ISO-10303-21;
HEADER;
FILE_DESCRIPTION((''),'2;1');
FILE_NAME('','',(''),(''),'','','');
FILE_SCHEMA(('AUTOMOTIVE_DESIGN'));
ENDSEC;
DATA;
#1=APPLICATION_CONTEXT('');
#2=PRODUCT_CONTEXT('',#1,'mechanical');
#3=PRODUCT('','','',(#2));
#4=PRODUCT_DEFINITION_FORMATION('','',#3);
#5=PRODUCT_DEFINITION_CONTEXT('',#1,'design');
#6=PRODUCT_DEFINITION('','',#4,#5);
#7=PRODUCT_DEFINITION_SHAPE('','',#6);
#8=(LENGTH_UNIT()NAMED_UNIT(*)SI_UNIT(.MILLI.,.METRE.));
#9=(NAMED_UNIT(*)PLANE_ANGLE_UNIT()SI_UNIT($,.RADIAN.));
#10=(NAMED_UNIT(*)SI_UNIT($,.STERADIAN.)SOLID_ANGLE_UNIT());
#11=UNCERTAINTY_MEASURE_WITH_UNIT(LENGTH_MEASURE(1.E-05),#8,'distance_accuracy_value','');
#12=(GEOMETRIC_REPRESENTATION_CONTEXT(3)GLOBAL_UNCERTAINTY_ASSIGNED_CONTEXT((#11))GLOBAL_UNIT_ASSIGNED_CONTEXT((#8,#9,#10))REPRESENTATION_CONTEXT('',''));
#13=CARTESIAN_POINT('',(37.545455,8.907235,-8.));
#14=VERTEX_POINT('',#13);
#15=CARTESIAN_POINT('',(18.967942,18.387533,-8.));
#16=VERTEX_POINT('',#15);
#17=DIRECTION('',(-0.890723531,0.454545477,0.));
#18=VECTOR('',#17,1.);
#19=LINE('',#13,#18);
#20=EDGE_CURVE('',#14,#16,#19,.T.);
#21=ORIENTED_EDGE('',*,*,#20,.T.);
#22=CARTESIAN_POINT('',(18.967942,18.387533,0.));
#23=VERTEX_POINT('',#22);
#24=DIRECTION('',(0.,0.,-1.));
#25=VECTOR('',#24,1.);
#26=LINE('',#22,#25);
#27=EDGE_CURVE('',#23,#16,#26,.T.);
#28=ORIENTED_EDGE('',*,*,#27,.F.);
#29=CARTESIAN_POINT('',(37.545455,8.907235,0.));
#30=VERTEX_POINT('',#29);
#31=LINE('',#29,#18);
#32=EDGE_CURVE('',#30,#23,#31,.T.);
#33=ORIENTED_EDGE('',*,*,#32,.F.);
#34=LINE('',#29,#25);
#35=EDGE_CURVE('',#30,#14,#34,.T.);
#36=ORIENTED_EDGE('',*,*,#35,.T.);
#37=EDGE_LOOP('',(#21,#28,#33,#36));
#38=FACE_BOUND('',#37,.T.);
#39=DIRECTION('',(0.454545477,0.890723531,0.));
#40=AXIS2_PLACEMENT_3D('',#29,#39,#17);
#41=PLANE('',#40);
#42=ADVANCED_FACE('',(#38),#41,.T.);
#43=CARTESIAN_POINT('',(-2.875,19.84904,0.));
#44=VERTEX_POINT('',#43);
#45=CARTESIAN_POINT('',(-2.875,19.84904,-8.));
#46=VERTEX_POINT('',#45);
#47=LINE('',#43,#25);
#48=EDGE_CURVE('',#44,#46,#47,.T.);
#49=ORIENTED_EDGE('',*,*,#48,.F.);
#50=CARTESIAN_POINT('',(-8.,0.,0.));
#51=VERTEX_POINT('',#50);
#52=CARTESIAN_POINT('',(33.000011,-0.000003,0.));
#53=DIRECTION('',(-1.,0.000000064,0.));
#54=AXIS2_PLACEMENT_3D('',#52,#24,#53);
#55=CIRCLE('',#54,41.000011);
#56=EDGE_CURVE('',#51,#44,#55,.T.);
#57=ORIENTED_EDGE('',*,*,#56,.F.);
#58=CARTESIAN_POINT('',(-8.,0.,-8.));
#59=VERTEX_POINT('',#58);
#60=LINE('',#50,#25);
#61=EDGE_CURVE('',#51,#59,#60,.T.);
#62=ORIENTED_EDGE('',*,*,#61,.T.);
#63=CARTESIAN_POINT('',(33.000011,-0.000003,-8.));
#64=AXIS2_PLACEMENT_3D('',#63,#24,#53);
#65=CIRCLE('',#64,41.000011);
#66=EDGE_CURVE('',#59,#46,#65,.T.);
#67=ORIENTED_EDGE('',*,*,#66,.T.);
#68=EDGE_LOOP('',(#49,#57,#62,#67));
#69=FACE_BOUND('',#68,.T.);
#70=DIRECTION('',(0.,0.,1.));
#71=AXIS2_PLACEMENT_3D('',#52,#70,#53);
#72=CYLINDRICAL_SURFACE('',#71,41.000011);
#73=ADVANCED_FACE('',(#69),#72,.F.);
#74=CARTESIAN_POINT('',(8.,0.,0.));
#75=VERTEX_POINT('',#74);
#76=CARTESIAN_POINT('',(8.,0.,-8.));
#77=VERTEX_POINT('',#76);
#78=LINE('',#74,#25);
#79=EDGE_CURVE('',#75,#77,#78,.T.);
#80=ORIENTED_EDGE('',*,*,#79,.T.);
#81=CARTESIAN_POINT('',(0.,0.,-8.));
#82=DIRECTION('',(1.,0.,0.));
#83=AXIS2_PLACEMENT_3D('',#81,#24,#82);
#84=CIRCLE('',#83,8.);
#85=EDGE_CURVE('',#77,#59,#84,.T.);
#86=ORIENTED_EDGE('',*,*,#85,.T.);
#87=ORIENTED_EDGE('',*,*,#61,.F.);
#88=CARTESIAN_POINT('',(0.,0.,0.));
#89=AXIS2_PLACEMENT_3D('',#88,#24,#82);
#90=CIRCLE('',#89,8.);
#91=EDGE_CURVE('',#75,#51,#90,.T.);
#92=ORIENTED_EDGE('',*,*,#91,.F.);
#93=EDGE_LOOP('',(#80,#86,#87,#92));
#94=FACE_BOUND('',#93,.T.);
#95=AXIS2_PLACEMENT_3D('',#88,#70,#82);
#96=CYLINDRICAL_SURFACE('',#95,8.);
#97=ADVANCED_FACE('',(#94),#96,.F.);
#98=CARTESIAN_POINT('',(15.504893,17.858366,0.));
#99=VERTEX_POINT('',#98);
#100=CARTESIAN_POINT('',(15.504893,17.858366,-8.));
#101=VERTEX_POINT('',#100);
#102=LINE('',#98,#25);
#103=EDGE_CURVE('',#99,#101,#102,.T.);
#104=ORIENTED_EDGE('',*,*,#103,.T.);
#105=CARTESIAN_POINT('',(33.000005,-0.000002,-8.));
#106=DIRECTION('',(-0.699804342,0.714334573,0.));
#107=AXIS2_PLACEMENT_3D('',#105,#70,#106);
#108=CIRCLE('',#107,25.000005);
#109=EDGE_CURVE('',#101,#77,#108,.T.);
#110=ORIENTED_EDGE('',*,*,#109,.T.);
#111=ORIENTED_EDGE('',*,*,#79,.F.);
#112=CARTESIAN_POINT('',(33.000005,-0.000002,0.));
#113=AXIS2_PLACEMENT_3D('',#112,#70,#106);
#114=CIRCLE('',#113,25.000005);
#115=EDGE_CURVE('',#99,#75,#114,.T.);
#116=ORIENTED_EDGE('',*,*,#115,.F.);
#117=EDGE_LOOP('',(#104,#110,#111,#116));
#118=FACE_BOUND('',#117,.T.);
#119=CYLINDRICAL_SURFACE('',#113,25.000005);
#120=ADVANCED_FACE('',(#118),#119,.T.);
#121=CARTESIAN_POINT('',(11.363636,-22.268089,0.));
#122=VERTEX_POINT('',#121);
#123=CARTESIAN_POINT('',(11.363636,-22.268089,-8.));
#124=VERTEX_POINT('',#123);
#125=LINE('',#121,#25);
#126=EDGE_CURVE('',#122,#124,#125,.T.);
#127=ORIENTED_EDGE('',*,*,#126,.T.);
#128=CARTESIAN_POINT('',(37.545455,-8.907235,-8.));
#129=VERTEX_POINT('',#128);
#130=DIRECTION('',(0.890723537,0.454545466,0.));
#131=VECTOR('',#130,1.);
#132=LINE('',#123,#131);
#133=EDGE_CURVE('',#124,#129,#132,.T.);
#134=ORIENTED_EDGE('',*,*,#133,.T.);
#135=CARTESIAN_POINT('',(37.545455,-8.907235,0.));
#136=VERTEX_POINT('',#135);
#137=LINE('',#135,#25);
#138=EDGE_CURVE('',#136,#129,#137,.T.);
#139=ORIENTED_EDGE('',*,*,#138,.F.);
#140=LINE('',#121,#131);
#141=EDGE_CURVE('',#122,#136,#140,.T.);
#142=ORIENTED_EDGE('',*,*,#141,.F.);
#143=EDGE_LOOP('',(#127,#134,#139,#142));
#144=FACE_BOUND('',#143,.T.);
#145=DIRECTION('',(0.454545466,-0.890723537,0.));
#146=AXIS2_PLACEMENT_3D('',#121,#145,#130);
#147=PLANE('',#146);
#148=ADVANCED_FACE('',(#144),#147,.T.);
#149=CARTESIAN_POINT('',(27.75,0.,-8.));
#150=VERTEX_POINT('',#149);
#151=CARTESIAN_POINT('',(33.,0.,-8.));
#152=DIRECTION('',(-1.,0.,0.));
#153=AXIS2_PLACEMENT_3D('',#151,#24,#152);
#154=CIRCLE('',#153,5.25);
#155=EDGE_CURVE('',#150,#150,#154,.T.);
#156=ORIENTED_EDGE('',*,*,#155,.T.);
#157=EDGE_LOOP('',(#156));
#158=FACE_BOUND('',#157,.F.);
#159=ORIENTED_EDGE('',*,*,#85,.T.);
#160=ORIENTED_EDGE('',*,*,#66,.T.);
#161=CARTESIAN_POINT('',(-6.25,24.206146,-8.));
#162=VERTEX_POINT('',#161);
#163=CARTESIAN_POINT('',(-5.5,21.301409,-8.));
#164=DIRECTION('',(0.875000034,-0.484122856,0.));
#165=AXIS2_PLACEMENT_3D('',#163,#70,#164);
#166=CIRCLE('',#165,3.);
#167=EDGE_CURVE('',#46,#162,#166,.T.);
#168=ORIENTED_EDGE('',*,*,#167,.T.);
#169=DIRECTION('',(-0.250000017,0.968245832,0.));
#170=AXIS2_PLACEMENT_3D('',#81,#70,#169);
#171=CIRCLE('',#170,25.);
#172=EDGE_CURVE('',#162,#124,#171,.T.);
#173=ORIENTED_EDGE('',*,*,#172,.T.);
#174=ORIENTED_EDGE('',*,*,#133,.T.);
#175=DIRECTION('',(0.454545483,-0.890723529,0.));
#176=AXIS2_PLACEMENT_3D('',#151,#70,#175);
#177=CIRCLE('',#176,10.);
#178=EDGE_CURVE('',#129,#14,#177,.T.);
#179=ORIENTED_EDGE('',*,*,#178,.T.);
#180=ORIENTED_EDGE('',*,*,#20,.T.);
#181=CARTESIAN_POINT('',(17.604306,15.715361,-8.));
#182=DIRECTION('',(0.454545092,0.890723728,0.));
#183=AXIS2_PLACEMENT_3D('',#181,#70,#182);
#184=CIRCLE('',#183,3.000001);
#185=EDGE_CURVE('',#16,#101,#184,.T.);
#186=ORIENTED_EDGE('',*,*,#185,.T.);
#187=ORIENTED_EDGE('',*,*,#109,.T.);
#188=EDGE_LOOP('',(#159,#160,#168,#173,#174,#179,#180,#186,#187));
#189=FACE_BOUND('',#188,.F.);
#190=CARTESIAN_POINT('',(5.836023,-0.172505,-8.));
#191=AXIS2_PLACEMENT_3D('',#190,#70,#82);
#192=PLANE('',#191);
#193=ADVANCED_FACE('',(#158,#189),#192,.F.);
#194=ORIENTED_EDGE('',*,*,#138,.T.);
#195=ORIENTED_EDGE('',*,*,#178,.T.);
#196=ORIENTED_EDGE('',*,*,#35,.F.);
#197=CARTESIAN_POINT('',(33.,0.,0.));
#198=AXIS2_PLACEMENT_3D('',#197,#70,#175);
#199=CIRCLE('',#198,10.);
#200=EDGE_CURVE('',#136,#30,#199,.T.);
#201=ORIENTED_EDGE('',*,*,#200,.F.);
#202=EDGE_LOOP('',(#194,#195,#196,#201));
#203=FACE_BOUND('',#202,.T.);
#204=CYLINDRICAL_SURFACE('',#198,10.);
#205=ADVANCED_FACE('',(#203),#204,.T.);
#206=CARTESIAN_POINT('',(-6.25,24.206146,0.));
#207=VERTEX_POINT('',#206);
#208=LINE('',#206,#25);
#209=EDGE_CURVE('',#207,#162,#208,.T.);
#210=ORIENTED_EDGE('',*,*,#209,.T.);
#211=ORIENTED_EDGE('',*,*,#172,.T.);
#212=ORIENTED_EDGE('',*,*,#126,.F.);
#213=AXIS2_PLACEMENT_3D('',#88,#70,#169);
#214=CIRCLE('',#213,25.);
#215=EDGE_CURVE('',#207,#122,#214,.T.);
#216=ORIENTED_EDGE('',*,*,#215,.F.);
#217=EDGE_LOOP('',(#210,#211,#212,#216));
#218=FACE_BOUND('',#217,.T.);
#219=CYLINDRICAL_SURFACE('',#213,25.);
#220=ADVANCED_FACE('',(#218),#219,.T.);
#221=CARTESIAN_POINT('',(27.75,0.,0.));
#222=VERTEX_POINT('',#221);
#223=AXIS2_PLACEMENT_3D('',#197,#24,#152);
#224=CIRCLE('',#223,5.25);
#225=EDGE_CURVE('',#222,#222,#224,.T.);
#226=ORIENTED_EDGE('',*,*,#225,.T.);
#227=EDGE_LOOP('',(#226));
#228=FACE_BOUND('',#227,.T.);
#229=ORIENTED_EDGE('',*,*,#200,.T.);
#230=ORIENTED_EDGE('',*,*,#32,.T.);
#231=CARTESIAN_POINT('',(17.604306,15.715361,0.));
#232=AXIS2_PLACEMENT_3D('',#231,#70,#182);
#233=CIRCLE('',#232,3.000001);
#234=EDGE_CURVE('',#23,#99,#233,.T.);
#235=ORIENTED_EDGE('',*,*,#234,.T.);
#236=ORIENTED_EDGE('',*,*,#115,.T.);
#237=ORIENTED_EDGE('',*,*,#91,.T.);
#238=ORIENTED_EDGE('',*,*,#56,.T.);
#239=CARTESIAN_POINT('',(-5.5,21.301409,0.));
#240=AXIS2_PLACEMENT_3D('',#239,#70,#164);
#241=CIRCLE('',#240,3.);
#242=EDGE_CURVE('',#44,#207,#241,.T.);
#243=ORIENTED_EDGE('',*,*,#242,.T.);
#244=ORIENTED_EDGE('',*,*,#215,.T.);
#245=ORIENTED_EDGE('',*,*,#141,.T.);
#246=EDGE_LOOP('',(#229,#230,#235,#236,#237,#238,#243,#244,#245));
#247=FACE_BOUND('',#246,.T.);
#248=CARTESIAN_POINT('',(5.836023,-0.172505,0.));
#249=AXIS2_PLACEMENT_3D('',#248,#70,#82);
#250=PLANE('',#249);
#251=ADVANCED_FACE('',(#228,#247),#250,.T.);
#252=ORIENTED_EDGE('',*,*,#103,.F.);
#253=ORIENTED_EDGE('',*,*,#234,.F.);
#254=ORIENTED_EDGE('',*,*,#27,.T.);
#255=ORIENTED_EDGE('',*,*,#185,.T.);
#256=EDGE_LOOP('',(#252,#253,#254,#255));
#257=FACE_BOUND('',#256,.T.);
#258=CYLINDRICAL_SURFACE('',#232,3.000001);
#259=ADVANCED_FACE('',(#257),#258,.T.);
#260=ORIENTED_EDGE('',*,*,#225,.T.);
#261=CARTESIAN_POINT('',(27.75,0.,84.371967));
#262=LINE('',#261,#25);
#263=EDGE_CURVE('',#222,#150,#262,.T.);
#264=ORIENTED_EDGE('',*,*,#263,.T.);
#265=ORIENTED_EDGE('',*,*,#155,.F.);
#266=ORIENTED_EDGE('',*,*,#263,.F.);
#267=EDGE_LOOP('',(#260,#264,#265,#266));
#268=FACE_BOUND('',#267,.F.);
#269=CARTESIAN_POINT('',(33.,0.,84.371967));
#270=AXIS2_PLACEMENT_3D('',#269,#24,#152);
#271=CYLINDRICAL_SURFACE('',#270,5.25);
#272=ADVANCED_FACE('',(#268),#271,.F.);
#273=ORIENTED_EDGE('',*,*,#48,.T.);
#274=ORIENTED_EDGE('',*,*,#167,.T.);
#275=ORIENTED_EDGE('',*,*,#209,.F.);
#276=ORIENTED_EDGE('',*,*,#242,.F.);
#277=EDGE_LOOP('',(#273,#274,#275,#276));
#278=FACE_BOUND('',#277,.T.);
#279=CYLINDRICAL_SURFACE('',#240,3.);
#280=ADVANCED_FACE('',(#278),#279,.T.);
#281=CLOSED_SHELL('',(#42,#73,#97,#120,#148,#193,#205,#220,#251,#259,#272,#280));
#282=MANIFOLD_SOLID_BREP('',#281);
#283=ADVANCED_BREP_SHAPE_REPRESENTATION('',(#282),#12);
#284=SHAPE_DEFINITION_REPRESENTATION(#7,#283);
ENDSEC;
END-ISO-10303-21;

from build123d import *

# Parameters (mm, degrees)
F1_DEPTH = 8
F3_D     = 10.5


with BuildPart() as f1:
    # F0 (on Top) → F1 (new body)
    with BuildSketch(Plane.XY):
        with BuildLine():
            ThreePointArc((8, 0), (0, -8), (-8, 0))
            ThreePointArc((-8, 0), (-6.698079, 10.25), (-2.875, 19.84904))
            ThreePointArc((-2.875, 19.84904), (-3.128292, 23.138526), (-6.25, 24.206146))
            ThreePointArc((-6.25, 24.206146), (-23.377359, -8.85997), (11.363636, -22.268089))
            Line((11.363636, -22.268089), (37.545455, -8.907235))
            ThreePointArc((37.545455, -8.907235), (43, 0), (37.545455, 8.907235))
            Line((37.545455, 8.907235), (18.967942, 18.387533))
            ThreePointArc((18.967942, 18.387533), (17.151154, 18.68094), (15.504893, 17.858366))
            ThreePointArc((15.504893, 17.858366), (9.952466, 9.685616), (8, 0))
        make_face()
    extrude(amount=-F1_DEPTH)

    # F3 (through all)
    with Locations(Plane.XY):
        with Locations((33, 0)):
            Hole(F3_D / 2)


solid = f1.part
